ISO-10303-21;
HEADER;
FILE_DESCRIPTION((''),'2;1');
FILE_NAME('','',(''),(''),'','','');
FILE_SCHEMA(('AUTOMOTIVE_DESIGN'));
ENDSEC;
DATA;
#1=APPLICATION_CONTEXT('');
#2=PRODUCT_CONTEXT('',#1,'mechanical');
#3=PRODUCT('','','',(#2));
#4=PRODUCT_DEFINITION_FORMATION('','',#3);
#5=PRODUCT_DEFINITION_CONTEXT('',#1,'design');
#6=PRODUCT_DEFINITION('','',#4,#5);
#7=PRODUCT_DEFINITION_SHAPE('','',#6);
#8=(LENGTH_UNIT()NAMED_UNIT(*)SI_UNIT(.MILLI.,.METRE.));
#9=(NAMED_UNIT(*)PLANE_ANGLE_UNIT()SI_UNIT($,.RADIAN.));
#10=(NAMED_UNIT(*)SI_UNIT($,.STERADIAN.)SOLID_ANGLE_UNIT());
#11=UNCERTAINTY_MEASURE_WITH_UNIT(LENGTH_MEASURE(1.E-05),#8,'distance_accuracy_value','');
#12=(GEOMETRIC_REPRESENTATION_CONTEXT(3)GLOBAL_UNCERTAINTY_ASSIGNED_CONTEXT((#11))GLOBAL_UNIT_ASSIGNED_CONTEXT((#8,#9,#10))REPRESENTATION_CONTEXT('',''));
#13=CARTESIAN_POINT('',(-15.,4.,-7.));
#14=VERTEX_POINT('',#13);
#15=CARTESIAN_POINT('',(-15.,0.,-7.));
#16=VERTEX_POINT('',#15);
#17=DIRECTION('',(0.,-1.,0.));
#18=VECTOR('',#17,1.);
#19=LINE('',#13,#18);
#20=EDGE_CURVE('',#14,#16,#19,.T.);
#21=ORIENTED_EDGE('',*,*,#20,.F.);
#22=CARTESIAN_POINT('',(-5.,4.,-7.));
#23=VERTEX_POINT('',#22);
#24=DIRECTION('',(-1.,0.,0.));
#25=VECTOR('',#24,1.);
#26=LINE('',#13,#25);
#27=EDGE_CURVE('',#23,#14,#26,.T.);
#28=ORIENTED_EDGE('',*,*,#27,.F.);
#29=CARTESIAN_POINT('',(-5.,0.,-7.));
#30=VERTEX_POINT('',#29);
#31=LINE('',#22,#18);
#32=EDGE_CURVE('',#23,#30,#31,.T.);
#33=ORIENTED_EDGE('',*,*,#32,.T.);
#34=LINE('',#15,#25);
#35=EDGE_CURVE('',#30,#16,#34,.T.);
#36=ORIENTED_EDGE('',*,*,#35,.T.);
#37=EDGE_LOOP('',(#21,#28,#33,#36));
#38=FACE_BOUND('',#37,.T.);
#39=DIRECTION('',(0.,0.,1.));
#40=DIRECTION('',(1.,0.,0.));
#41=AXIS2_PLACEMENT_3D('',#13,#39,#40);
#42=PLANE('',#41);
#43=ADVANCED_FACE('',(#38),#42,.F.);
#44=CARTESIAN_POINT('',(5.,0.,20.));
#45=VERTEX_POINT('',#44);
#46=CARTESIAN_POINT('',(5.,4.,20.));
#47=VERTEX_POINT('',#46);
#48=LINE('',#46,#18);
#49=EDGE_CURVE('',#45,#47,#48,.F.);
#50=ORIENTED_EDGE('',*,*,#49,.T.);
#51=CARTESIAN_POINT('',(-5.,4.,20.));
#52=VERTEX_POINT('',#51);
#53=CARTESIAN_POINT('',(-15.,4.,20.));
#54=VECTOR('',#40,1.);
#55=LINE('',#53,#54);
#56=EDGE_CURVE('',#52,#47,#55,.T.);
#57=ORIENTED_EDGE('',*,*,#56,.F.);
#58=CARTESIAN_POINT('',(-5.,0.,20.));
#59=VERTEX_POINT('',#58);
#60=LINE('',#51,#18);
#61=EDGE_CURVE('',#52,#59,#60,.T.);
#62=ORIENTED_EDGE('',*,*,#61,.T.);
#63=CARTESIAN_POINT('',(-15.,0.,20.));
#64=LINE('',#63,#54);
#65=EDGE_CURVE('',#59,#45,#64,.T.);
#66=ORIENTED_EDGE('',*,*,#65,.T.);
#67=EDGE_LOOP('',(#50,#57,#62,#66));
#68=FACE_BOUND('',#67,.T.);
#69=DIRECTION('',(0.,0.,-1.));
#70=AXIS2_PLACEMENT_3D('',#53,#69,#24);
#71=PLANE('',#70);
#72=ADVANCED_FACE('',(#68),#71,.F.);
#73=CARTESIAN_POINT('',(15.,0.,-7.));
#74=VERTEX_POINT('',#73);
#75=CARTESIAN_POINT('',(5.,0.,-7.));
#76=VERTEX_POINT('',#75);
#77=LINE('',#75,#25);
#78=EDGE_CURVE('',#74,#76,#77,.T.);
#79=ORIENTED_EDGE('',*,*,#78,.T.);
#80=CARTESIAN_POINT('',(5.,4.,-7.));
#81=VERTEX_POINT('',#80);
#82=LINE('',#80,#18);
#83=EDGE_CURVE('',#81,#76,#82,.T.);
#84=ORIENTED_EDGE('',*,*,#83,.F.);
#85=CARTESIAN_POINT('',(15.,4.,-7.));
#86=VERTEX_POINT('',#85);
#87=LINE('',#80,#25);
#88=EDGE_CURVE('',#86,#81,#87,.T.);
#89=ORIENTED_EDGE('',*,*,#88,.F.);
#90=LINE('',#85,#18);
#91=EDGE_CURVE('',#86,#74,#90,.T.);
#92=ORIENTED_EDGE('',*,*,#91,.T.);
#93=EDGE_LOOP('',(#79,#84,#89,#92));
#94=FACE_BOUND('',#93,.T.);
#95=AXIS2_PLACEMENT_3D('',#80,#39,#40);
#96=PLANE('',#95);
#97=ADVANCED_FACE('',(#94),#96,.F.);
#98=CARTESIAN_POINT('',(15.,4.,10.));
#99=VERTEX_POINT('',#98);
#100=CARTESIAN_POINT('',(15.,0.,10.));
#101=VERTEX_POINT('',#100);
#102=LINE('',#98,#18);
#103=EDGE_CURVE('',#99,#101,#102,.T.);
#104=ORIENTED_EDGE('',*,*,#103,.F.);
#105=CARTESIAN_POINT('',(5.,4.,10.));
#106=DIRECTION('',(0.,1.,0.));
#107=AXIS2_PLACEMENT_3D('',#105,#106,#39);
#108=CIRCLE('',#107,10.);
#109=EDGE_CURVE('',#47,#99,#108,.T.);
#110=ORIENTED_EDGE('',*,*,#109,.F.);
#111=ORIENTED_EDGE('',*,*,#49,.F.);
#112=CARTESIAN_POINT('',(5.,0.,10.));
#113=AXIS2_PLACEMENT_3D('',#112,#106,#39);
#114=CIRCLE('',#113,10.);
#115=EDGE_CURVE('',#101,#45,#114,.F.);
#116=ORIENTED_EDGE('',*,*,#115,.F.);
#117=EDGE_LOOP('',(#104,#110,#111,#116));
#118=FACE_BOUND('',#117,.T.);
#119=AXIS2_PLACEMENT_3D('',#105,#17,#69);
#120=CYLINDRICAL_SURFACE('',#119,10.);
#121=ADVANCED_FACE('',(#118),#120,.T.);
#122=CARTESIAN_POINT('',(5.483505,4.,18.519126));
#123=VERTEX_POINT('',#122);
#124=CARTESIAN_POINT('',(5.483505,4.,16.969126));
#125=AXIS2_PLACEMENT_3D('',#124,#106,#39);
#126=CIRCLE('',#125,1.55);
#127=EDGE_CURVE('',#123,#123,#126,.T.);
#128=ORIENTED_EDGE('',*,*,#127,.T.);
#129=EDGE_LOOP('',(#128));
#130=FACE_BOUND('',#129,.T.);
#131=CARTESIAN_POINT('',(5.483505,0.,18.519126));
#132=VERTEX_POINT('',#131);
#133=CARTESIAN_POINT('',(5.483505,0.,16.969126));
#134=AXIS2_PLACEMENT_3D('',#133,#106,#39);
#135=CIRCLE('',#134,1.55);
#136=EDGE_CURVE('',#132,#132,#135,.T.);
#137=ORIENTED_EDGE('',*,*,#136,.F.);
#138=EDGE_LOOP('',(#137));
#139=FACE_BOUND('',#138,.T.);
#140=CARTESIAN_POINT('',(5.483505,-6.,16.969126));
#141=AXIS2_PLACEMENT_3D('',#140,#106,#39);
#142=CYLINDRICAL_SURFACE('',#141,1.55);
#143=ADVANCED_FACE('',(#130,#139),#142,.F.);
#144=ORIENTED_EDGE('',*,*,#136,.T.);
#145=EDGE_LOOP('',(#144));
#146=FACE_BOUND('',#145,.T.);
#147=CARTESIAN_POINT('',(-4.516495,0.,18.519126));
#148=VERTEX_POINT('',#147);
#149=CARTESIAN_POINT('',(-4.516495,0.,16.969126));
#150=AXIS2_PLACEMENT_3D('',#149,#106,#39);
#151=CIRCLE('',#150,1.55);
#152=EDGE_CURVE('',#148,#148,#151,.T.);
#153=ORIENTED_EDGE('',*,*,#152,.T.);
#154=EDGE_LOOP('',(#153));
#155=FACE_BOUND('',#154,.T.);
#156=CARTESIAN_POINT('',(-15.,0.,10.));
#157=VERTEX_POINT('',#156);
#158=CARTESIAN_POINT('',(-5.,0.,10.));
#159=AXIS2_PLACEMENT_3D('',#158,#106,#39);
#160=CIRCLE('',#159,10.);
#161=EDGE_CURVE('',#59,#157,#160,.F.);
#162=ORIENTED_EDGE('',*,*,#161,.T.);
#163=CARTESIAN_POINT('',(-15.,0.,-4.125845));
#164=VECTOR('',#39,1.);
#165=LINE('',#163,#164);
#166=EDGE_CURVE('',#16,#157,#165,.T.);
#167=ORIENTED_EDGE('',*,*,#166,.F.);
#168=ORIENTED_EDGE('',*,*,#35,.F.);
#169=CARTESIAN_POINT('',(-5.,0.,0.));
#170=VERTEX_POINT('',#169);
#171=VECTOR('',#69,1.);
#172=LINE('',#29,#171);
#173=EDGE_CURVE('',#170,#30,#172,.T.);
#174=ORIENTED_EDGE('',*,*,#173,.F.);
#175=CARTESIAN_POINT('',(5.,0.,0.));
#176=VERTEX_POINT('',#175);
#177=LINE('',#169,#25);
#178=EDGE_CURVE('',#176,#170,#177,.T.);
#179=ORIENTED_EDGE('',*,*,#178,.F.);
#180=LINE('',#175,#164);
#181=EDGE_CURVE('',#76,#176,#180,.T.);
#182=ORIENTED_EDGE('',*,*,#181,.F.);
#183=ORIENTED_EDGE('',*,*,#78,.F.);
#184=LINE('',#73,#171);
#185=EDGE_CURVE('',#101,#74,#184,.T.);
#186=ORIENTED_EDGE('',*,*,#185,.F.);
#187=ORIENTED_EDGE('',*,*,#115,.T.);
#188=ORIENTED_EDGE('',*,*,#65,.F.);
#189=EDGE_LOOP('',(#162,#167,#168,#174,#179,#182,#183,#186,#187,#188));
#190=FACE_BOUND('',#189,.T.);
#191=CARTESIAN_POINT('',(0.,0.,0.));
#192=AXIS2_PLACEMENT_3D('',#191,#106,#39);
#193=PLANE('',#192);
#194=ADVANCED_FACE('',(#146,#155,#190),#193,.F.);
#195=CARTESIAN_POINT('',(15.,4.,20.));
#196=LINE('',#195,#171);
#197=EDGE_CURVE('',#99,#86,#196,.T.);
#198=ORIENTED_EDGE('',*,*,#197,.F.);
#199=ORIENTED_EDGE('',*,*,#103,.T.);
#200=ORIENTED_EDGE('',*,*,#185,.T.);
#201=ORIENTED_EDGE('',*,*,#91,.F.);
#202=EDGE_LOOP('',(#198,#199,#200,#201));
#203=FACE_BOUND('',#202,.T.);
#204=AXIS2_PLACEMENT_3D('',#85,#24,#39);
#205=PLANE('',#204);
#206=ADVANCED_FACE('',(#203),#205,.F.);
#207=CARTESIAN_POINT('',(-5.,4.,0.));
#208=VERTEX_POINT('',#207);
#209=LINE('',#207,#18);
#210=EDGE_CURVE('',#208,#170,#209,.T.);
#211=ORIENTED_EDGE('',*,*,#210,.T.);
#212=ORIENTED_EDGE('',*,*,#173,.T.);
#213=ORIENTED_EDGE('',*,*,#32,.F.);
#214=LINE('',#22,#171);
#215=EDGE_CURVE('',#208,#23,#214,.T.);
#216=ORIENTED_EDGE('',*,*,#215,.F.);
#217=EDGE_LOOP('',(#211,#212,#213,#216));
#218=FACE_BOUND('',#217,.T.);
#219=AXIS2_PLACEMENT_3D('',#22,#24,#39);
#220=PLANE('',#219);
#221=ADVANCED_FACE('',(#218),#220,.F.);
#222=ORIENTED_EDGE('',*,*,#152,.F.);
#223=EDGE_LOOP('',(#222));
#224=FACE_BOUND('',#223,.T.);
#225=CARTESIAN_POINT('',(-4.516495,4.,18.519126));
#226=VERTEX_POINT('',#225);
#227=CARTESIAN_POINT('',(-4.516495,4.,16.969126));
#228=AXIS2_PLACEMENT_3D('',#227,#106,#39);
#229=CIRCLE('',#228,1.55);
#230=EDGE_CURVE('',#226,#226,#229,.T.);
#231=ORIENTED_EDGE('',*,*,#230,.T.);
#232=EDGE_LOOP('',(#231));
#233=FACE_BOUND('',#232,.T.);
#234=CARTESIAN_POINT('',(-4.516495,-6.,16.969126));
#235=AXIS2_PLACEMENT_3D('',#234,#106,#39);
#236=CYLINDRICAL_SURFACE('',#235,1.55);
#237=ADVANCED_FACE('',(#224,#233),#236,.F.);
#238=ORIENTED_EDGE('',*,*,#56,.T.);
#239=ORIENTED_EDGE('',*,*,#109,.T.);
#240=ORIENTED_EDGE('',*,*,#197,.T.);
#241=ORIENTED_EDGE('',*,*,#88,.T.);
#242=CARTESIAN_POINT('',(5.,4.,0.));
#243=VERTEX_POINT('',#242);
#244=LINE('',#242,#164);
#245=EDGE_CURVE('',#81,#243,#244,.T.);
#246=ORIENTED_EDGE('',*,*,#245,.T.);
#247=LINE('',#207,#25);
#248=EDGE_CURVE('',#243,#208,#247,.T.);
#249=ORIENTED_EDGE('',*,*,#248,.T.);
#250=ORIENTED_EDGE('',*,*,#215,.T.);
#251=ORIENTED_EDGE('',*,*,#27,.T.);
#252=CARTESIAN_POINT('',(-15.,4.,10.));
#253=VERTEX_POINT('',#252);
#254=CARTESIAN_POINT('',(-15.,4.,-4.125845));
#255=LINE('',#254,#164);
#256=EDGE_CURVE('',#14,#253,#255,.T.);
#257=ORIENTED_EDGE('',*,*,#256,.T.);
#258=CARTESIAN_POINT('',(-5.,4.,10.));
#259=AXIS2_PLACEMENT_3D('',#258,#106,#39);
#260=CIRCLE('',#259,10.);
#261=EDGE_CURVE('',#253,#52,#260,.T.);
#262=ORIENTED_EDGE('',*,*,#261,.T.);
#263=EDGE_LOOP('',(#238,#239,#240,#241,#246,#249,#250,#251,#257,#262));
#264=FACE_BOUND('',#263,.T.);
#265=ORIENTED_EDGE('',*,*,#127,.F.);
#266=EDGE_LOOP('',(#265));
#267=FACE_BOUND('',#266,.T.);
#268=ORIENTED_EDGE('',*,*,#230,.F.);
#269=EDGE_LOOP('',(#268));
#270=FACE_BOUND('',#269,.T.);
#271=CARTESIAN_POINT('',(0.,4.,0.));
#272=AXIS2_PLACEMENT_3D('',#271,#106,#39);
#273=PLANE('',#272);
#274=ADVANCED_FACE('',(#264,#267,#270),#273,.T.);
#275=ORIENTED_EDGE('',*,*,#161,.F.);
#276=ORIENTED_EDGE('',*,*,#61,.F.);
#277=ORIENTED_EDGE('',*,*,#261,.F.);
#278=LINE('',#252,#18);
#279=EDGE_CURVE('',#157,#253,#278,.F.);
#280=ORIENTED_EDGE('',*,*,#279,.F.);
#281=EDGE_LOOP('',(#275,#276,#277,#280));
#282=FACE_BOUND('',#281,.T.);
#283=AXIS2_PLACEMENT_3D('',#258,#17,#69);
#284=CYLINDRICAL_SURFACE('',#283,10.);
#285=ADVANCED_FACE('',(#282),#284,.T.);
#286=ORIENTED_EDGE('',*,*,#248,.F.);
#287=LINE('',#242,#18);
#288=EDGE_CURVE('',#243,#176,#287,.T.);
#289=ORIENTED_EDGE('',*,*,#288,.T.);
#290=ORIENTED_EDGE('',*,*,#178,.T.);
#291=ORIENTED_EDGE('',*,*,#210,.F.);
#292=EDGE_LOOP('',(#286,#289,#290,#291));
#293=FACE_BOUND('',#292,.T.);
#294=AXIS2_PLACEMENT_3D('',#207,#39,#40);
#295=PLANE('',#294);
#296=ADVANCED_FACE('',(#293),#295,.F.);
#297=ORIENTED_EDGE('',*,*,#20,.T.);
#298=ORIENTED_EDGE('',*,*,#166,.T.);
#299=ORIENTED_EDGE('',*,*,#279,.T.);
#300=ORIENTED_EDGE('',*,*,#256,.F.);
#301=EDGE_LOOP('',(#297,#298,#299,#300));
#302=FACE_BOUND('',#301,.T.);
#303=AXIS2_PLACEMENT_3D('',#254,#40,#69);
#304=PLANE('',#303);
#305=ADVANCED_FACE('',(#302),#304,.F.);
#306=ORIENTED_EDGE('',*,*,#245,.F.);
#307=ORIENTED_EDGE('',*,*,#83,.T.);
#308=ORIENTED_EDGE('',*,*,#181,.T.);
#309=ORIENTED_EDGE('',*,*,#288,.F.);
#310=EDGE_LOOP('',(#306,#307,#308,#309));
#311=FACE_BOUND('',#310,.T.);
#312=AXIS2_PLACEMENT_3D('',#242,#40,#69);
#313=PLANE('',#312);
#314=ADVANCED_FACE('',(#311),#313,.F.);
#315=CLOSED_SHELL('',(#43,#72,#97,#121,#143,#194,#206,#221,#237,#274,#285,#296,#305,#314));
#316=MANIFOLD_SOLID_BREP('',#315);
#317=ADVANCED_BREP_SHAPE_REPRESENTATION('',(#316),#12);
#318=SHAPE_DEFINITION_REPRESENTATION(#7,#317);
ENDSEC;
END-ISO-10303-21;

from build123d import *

# Parameters (mm, degrees)
BOSS_EXTRU_1_DEPTH      = 4
CONG_1_R                = 10
ESQUISSE3_R             = 1.55
ENL_V_MAT_EXTRU_1_DEPTH = 10


with BuildPart() as part:
    # Esquisse2 → Boss.-Extru.1 (new body)
    with BuildSketch(Plane(origin=(0, 0, 0), x_dir=(1, 0, 0), z_dir=(0, 1, 0))):
        Polygon((-15, 4.125844984), (-15, 7), (-5, 7), (-5, 0), (5, 0), (5, 7), (15, 7), (15, 0.999487428), (15, -20), (-15, -20), align=None)
    extrude(amount=BOSS_EXTRU_1_DEPTH)

    # Congé1
    cong_1_edges = [part.edges().sort_by_distance(p)[0] for p in [
        (15, 2, 20),
        (-15, 2, 20),
    ]]
    fillet(cong_1_edges, radius=CONG_1_R)

    # Esquisse3 → Enlèv. mat.-Extru.1 (cut)
    with BuildSketch(Plane(origin=(0, 4, 0), x_dir=(1, 0, 0), z_dir=(0, 1, 0))):
        with Locations(Location((5.483505043, -16.969125841, 0), (0, 0, 270))):
            Circle(ESQUISSE3_R)
        with Locations(Location((-4.516494957, -16.969125841, 0), (0, 0, 270))):
            Circle(ESQUISSE3_R)
    extrude(amount=-ENL_V_MAT_EXTRU_1_DEPTH, mode=Mode.SUBTRACT)


solid = part.part
